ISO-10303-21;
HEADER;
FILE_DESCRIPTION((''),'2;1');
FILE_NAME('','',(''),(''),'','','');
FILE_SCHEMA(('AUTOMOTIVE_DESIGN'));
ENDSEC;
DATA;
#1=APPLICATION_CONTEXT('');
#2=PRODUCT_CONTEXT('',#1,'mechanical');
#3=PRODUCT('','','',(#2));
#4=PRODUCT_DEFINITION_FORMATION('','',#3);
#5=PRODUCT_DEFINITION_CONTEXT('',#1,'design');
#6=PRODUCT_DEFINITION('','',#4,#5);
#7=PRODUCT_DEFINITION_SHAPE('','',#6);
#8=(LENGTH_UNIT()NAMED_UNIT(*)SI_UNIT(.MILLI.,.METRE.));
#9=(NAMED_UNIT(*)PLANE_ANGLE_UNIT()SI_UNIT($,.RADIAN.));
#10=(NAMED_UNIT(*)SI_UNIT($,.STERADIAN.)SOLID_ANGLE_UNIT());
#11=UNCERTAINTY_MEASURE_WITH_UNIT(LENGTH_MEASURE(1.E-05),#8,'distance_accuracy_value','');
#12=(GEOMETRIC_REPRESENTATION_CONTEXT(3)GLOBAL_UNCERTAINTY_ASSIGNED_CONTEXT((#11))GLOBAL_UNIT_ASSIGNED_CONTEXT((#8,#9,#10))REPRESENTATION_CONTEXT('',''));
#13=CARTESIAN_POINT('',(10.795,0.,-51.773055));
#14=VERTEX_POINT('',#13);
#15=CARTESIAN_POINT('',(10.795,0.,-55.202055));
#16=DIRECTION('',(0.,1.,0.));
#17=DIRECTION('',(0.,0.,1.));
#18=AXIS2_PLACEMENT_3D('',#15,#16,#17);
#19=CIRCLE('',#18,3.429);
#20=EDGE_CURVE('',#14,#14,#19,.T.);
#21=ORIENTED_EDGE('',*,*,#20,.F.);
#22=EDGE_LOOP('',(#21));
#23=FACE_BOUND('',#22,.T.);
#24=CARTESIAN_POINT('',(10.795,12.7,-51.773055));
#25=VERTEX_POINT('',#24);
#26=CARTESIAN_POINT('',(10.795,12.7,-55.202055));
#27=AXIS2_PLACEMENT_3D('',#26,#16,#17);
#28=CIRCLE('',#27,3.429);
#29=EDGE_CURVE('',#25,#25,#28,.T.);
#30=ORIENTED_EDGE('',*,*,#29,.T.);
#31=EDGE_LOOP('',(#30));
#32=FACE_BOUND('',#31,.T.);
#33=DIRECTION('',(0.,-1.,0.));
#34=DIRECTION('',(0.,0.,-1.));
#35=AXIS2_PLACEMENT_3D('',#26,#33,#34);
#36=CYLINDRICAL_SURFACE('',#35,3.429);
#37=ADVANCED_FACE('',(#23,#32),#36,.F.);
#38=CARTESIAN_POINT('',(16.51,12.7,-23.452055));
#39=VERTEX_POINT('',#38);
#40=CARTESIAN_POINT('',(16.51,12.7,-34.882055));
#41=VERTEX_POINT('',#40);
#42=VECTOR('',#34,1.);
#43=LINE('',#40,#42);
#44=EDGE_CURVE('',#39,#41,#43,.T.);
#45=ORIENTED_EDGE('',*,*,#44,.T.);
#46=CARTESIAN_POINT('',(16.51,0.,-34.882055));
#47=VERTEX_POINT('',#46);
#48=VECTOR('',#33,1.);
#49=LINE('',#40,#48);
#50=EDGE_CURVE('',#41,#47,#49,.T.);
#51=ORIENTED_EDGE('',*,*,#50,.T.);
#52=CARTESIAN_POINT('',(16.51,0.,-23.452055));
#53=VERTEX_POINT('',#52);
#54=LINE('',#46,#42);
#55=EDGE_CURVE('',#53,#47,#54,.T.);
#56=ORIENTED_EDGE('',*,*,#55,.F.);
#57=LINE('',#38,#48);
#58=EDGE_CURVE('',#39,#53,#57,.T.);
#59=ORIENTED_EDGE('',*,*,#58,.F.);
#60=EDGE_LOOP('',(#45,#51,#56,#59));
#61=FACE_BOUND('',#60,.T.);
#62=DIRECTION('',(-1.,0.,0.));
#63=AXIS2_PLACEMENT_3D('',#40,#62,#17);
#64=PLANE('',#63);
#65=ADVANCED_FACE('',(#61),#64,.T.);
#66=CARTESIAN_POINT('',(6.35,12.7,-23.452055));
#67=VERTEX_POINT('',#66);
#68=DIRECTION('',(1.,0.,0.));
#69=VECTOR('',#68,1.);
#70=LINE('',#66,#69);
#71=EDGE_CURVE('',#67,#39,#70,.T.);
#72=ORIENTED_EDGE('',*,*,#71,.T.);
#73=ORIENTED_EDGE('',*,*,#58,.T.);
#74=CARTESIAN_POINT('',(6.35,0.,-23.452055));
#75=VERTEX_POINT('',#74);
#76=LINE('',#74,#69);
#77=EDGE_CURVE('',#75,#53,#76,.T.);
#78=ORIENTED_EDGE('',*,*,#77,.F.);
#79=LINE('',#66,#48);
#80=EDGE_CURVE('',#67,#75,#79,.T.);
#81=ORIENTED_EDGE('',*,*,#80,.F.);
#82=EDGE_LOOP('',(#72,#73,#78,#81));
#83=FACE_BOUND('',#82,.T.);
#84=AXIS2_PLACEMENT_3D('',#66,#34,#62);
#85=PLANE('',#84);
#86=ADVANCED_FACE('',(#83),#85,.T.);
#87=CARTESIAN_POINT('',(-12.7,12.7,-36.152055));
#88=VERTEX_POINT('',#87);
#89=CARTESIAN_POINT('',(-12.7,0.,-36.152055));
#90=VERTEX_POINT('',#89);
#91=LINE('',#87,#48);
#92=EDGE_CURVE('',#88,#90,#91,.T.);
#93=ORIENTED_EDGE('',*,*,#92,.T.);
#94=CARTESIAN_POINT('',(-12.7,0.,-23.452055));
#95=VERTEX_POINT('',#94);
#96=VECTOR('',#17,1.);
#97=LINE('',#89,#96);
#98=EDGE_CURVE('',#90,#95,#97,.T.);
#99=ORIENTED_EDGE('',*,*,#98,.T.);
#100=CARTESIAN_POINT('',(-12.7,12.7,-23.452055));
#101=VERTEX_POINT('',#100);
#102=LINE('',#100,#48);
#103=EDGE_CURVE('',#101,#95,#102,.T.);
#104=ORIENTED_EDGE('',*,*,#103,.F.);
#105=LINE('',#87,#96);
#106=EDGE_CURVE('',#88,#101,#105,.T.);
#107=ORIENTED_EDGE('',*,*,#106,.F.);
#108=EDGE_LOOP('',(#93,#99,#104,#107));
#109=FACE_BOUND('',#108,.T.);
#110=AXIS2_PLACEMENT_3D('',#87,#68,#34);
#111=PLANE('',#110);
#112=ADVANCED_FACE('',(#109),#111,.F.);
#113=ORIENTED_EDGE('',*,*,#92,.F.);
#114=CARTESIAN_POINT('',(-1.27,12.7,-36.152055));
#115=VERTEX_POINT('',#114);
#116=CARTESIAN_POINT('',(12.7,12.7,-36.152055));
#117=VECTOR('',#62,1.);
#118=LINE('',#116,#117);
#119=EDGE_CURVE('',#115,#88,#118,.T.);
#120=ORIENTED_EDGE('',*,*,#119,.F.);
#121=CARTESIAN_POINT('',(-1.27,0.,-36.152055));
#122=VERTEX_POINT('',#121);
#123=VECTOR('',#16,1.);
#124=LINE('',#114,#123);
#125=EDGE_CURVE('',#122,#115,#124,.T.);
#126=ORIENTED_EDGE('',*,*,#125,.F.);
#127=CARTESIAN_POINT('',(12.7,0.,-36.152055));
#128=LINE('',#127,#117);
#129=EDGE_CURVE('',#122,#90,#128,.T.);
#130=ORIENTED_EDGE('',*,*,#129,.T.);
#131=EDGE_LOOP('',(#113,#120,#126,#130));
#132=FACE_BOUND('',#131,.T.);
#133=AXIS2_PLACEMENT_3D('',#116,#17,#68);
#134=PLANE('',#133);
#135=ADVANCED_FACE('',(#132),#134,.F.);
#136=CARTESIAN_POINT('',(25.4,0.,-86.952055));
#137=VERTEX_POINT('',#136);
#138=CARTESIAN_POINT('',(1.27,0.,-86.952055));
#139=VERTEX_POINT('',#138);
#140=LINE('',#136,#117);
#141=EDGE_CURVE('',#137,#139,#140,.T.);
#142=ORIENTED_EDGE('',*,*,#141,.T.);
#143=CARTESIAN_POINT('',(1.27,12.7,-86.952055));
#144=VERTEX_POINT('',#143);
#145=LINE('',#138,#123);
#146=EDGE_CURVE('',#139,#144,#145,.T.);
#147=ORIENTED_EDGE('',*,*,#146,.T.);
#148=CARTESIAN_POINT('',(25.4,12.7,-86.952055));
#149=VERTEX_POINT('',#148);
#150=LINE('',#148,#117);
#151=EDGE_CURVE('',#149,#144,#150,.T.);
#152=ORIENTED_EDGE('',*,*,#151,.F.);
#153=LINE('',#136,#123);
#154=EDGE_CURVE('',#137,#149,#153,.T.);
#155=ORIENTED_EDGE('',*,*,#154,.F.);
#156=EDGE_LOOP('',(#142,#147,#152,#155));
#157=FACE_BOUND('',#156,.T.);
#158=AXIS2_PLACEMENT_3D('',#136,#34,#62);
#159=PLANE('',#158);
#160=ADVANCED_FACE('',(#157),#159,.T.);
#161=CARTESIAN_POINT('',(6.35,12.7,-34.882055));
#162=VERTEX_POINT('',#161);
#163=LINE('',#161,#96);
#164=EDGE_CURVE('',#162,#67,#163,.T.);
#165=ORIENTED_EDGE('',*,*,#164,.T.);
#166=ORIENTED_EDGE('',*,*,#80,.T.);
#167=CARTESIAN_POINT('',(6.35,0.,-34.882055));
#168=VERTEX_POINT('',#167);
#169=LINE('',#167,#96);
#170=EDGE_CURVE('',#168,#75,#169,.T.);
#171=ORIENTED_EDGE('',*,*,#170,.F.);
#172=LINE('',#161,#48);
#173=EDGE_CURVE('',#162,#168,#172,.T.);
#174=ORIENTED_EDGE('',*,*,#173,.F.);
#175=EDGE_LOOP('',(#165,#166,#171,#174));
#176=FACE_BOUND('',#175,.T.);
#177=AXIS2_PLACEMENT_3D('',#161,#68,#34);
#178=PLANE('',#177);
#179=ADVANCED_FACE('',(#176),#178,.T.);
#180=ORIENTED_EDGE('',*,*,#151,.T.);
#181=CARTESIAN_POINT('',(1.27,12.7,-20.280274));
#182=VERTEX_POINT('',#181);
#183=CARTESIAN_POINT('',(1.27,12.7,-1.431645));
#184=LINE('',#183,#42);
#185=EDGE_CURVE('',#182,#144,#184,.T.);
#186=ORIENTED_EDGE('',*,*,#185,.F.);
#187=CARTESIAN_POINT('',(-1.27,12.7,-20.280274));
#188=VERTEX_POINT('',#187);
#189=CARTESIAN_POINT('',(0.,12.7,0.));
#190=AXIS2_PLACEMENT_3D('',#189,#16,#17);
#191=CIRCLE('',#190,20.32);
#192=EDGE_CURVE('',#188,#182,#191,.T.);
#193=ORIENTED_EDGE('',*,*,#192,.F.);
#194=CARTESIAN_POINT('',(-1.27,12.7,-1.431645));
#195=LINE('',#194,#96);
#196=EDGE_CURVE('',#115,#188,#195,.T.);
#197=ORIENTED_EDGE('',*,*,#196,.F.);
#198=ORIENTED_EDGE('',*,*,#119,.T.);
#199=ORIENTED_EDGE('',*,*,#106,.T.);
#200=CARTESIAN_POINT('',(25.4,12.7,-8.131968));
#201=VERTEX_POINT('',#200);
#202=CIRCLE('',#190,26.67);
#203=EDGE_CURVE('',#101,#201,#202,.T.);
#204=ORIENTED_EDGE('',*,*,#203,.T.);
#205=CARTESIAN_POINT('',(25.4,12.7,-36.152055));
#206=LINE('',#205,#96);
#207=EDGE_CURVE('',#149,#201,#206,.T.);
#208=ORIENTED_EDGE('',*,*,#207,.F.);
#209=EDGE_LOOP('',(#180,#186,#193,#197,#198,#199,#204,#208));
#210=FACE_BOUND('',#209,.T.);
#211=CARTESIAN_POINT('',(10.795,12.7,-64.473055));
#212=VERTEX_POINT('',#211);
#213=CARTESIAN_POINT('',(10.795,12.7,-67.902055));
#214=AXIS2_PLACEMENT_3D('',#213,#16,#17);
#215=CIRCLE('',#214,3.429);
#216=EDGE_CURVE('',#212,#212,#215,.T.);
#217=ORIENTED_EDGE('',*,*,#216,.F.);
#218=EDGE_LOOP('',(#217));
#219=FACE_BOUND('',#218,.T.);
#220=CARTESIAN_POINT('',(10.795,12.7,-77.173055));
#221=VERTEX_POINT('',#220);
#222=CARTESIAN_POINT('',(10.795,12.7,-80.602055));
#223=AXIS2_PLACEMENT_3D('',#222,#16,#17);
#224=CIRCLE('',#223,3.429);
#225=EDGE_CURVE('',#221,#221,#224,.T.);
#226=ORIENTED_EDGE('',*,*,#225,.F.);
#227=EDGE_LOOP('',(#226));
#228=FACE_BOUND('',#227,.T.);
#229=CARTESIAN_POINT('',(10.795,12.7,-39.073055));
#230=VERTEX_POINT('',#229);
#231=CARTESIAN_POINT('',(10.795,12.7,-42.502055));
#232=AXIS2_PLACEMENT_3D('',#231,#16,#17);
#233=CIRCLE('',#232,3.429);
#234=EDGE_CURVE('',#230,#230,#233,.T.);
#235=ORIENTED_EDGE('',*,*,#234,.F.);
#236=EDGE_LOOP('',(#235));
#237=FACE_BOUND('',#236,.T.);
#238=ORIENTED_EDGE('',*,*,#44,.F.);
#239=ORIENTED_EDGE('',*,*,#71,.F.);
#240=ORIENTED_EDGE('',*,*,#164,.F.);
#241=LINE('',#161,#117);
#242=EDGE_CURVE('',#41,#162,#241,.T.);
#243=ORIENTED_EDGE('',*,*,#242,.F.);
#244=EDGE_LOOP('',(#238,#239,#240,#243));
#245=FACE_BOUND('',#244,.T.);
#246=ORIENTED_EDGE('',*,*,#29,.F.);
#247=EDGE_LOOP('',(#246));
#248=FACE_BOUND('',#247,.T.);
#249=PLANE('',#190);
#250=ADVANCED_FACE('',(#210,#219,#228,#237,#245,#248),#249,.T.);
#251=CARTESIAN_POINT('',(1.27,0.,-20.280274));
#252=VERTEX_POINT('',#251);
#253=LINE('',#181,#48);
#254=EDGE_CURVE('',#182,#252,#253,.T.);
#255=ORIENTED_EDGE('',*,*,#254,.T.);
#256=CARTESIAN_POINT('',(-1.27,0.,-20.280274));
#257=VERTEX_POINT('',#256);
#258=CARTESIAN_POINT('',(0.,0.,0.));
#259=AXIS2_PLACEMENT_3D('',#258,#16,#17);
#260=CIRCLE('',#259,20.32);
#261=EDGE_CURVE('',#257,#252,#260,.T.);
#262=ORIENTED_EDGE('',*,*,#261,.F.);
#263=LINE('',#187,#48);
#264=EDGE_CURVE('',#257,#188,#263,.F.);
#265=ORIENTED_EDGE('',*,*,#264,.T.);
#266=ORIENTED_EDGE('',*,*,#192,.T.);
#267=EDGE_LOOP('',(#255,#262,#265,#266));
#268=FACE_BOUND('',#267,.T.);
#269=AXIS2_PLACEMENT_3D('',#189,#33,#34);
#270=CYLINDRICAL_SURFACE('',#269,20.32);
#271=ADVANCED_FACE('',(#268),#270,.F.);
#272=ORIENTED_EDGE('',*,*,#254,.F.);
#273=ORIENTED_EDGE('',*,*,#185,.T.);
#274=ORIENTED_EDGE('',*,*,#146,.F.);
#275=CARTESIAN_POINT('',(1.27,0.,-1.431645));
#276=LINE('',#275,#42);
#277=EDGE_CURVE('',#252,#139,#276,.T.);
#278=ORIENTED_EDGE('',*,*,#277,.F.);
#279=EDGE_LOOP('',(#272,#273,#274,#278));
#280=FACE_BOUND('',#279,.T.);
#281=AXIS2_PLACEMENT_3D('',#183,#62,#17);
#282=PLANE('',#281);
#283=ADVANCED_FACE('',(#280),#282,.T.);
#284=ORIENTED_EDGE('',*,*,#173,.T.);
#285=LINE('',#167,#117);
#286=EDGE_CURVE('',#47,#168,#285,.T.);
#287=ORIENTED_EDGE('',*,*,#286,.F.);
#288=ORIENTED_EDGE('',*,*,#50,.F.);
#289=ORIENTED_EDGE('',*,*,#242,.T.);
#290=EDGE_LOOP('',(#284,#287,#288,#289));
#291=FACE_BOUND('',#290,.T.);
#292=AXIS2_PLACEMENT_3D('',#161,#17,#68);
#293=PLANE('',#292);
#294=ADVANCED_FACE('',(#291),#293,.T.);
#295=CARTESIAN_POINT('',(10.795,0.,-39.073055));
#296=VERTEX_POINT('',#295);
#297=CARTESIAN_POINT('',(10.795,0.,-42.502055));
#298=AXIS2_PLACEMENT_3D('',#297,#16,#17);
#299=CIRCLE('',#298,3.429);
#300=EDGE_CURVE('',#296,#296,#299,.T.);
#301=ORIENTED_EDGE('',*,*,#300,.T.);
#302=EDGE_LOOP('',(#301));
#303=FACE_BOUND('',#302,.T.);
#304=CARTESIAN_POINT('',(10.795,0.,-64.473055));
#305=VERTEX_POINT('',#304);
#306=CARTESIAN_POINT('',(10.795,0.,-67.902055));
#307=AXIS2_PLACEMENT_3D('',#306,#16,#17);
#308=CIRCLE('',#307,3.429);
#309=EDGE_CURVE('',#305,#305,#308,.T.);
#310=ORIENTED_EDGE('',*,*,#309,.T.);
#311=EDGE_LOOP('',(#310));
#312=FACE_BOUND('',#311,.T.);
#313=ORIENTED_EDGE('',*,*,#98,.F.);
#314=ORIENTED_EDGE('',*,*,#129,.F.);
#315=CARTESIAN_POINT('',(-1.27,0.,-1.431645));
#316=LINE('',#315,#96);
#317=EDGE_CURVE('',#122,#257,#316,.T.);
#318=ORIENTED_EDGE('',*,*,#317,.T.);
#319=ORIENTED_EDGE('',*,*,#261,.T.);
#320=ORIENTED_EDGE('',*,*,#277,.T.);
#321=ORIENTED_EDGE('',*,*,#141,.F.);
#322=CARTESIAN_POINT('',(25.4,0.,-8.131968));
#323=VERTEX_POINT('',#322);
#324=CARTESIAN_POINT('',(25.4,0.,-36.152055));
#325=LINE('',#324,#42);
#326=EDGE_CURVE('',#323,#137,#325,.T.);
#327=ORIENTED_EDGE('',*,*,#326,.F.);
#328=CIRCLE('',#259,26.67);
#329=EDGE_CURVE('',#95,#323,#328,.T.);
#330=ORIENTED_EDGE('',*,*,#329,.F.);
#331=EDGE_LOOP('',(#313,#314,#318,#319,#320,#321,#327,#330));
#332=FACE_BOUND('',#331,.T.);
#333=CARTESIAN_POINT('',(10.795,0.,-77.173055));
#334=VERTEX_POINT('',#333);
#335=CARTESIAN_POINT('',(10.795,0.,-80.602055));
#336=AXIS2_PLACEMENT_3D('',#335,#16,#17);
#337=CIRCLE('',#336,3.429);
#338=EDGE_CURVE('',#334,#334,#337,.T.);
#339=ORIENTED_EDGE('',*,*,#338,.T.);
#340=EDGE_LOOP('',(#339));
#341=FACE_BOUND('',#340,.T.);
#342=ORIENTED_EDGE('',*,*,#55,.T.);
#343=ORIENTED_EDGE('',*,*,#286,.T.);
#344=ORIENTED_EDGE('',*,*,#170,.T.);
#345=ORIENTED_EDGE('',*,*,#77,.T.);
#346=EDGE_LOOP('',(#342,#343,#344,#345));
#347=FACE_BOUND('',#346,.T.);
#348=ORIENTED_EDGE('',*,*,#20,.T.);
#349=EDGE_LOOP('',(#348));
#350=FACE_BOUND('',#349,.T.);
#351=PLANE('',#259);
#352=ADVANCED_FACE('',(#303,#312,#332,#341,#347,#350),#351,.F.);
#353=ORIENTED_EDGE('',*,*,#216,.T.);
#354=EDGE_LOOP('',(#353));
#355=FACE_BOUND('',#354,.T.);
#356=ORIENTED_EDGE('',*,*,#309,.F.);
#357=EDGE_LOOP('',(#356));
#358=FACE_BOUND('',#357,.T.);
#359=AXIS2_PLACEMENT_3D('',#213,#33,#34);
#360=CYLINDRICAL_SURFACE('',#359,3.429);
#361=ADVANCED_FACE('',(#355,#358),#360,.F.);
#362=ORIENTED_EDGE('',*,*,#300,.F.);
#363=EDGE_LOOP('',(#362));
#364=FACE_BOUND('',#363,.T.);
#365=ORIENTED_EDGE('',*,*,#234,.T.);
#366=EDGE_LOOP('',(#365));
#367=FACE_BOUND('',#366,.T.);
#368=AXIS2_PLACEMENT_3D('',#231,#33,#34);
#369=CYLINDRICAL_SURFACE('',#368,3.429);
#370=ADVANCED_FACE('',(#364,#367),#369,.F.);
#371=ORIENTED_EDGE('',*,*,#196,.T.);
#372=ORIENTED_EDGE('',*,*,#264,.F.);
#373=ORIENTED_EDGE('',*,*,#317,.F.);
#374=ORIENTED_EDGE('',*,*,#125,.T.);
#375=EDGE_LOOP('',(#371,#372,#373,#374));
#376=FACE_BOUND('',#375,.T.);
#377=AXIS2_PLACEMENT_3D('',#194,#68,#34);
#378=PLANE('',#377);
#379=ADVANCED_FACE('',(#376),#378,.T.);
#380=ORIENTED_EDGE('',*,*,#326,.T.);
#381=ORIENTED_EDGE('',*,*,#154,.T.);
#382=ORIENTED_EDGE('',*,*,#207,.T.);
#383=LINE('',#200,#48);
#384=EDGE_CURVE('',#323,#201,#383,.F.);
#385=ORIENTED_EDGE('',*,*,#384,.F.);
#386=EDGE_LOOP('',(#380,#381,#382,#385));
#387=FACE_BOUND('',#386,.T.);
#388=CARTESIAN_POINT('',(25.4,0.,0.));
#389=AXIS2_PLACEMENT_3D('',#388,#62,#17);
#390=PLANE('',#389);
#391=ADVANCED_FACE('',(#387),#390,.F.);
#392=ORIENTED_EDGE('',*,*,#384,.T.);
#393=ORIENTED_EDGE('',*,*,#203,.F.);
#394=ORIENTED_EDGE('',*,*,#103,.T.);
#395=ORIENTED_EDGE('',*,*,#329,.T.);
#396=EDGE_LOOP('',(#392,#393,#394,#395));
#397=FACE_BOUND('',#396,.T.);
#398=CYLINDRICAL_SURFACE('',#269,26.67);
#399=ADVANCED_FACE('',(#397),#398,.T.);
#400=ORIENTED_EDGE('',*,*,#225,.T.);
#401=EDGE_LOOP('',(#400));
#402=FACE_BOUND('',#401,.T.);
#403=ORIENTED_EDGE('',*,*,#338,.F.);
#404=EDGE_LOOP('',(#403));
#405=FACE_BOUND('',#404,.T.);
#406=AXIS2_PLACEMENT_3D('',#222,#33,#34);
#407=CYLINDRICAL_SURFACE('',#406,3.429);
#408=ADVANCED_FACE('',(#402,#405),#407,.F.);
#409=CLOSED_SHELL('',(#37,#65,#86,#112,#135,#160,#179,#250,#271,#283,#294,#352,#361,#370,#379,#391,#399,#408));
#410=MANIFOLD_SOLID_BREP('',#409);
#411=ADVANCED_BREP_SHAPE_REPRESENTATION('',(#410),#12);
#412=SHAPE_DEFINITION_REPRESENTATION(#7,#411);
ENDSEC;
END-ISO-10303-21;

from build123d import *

# Parameters (mm, degrees)
SKETCH1_R           = 26.67
SKETCH1_R_2         = 20.32
BOSS_EXTRUDE1_DEPTH = 12.7
SKETCH2_W           = 25.4
SKETCH2_H           = 12.7
BOSS_EXTRUDE2_DEPTH = 12.7
SKETCH4_W           = 2.54
SKETCH4_H           = 58.988343485
CUT_EXTRUDE2_DEPTH  = 47.685650963
BOSS_EXTRUDE3_REACH = 69.639
BOSS_EXTRUDE3_START = 12.7
SKETCH5_W           = 36.152055347
SKETCH5_H           = 12.7
SKETCH6_W           = 24.13
SKETCH6_H           = 50.8
BOSS_EXTRUDE4_DEPTH = 12.7
SKETCH7_R           = 3.429
SKETCH7_W           = 10.16
SKETCH7_H           = 11.43
CUT_EXTRUDE3_DEPTH  = 92.832667548


with BuildPart() as part:
    # Sketch1 → Boss-Extrude1 (new body)
    with BuildSketch(Plane(origin=(0, 0, 0), x_dir=(1, 0, 0), z_dir=(0, 1, 0))):
        with Locations(Location((0, 0, 0), (0, 0, 270))):
            Circle(SKETCH1_R)
        with Locations(Location((0, 0, 0), (0, 0, 270))):
            Circle(SKETCH1_R_2, mode=Mode.SUBTRACT)
    extrude(amount=BOSS_EXTRUDE1_DEPTH)

    # Sketch2 → Boss-Extrude2 (add)
    with BuildSketch(Plane(origin=(0, 0, 0), x_dir=(1, 0, 0), z_dir=(0, 1, 0))):
        with Locations((0, 29.802055347)):
            Rectangle(SKETCH2_W, SKETCH2_H)
    extrude(amount=BOSS_EXTRUDE2_DEPTH)

    # Sketch4 → Cut-Extrude2 (cut, through all)
    with BuildSketch(Plane(origin=(0, 0, 0), x_dir=(1, 0, 0), z_dir=(0, 1, 0))):
        with Locations((0, 30.925816426)):
            Rectangle(SKETCH4_W, SKETCH4_H)
    extrude(amount=CUT_EXTRUDE2_DEPTH, mode=Mode.SUBTRACT)

    # Sketch5 → Boss-Extrude3 (add, up to next)
    with BuildSketch(Plane(origin=(12.7, 0, 0), x_dir=(0, 0, -1), z_dir=(1, 0, 0)).offset(BOSS_EXTRUDE3_START), mode=Mode.PRIVATE) as boss_extrude3_sk1:
        with Locations((18.076027674, 6.35)):
            Rectangle(SKETCH5_W, SKETCH5_H)
    boss_extrude3_tool1 = extrude(boss_extrude3_sk1.sketch, amount=-BOSS_EXTRUDE3_REACH, mode=Mode.PRIVATE) - part.part
    add(boss_extrude3_tool1.solids().sort_by_distance((25.4, 6.35, -18.076028))[0])

    # Sketch6 → Boss-Extrude4 (add)
    with BuildSketch(Plane(origin=(0, 12.7, 0), x_dir=(1, 0, 0), z_dir=(0, 1, 0))):
        with Locations((13.335, 61.552055347)):
            Rectangle(SKETCH6_W, SKETCH6_H)
    extrude(amount=-BOSS_EXTRUDE4_DEPTH)

    # Sketch7 → Cut-Extrude3 (cut, through all)
    with BuildSketch(Plane(origin=(0, 0, 0), x_dir=(1, 0, 0), z_dir=(0, 1, 0))):
        with Locations(Location((10.795, 80.602055347, 0), (0, 0, 270))):
            Circle(SKETCH7_R)
        with Locations((36.195, 80.602055347)):
            Circle(SKETCH7_R)
        with Locations((36.195, 67.902055347)):
            Circle(SKETCH7_R)
        with Locations(Location((10.795, 67.902055347, 0), (0, 0, 270))):
            Circle(SKETCH7_R)
        with Locations(Location((10.795, 55.202055347, 0), (0, 0, 270))):
            Circle(SKETCH7_R)
        with Locations((36.195, 55.202055347)):
            Circle(SKETCH7_R)
        with Locations(Location((10.795, 42.502055347, 0), (0, 0, 270))):
            Circle(SKETCH7_R)
        with Locations((36.195, 42.502055347)):
            Circle(SKETCH7_R)
        with Locations((11.43, 29.167055347)):
            Rectangle(SKETCH7_W, SKETCH7_H)
    extrude(amount=CUT_EXTRUDE3_DEPTH, mode=Mode.SUBTRACT)


solid = part.part
